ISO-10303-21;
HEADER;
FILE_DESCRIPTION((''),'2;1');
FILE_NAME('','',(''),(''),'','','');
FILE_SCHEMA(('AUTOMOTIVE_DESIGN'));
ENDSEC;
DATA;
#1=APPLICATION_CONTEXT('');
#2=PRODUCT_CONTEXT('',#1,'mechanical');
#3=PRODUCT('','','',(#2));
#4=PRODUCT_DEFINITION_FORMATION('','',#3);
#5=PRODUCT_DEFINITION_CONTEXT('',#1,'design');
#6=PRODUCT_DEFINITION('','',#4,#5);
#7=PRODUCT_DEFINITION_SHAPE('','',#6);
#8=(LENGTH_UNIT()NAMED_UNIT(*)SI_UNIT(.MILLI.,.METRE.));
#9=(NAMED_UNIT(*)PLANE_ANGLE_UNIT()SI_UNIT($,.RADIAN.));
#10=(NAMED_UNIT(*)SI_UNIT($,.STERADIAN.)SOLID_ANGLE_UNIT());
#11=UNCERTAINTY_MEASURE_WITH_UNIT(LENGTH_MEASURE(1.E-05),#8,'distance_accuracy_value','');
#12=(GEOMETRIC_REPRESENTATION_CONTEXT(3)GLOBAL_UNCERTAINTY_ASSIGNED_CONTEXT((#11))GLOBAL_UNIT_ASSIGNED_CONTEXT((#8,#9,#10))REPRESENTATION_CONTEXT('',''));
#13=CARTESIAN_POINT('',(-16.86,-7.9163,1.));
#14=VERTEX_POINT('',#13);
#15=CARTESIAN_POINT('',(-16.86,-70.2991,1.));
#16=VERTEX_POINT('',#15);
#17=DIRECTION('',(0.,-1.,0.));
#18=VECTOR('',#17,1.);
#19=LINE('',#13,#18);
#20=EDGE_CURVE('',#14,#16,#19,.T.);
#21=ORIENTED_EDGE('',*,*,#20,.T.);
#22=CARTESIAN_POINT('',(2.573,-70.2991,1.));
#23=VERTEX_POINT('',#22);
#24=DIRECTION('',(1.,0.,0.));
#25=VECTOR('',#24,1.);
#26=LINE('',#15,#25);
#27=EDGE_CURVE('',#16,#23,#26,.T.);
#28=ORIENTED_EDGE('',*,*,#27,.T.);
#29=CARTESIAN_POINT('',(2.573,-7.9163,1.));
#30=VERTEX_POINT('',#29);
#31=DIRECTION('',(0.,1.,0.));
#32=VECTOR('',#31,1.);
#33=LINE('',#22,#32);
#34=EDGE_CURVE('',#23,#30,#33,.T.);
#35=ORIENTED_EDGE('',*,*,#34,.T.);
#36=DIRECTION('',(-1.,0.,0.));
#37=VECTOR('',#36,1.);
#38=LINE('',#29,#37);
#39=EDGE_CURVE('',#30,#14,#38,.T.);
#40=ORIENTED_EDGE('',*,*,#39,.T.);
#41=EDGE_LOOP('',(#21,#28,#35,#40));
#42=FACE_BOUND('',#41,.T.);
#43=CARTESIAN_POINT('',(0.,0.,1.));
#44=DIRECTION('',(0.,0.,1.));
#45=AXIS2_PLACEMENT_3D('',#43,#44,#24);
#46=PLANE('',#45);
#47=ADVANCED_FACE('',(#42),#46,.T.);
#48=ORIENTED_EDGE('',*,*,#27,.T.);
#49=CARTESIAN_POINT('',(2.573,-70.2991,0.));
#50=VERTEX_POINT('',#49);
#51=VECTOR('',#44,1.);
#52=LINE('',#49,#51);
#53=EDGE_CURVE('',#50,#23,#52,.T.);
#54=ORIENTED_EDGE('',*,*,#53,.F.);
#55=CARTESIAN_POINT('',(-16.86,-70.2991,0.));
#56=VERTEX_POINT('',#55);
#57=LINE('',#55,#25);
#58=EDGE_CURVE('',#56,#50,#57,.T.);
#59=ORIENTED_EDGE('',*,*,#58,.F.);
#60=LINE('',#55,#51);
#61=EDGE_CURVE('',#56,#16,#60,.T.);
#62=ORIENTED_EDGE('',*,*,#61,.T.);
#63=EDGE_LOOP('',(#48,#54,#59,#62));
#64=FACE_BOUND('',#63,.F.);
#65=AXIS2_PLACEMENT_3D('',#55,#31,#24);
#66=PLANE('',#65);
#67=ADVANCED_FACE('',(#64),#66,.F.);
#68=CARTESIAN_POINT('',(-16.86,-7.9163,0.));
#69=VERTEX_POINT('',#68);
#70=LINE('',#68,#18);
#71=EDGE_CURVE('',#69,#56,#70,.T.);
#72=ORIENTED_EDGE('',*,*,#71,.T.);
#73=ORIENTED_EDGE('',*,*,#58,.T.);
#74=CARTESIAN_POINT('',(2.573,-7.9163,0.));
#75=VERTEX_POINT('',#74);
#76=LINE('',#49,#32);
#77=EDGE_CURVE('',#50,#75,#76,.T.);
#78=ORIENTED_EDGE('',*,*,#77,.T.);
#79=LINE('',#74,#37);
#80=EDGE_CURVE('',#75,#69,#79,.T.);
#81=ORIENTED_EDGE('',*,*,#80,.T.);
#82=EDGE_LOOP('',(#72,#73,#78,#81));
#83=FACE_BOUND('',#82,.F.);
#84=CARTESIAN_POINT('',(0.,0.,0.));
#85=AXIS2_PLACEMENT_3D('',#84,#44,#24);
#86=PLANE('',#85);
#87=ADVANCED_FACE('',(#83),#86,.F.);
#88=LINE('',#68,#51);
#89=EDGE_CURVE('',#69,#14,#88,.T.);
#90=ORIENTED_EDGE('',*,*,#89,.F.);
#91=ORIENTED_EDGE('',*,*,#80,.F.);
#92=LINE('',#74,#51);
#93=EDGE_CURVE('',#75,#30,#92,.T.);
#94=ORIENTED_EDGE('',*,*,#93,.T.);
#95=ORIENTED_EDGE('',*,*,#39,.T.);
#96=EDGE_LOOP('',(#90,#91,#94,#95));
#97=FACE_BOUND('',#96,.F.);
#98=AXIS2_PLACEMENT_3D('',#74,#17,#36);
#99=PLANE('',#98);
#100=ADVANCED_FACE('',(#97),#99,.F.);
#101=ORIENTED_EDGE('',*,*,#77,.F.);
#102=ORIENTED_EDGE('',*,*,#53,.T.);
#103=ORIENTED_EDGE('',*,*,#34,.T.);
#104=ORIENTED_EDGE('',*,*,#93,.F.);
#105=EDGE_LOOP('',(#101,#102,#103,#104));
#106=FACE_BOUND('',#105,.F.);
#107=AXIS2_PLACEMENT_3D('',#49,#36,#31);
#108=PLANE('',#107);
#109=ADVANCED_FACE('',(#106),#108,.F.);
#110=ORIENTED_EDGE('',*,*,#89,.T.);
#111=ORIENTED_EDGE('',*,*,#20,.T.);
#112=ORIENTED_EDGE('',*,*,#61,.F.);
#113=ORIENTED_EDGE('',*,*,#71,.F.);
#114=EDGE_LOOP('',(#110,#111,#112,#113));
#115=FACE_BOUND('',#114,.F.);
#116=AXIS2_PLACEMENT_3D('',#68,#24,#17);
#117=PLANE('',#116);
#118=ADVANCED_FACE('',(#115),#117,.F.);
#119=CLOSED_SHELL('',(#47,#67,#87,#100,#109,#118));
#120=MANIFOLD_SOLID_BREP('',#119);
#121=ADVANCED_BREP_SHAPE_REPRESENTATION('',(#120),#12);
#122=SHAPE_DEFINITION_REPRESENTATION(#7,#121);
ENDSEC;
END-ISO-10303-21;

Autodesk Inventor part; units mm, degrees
ref_plane "YZ Plane" through (0, 0, 0) normal (1, 0, 0) x (0, 1, 0)
ref_plane "XZ Plane" through (0, 0, 0) normal (0, 1, 0) x (-1, 0, 0)
ref_plane "XY Plane" through (0, 0, 0) normal (0, 0, 1) x (1, 0, 0)
sketch "Sketch1" plane through (0, 0, 0) normal (0, 0, 1) x (1, 0, 0)
  line L0 (2.573, -7.9163) -> (-16.86, -7.9163)
  line L1 (-16.86, -7.9163) -> (-16.86, -70.2991)
  line L2 (-16.86, -70.2991) -> (2.573, -70.2991)
  line L3 (2.573, -70.2991) -> (2.573, -7.9163)
  point P0 (0, 0)
extrude "Extrusion1" add sketch "Sketch1" along normal blind 1
properties part number "Raspberry_Pi_Demo"
